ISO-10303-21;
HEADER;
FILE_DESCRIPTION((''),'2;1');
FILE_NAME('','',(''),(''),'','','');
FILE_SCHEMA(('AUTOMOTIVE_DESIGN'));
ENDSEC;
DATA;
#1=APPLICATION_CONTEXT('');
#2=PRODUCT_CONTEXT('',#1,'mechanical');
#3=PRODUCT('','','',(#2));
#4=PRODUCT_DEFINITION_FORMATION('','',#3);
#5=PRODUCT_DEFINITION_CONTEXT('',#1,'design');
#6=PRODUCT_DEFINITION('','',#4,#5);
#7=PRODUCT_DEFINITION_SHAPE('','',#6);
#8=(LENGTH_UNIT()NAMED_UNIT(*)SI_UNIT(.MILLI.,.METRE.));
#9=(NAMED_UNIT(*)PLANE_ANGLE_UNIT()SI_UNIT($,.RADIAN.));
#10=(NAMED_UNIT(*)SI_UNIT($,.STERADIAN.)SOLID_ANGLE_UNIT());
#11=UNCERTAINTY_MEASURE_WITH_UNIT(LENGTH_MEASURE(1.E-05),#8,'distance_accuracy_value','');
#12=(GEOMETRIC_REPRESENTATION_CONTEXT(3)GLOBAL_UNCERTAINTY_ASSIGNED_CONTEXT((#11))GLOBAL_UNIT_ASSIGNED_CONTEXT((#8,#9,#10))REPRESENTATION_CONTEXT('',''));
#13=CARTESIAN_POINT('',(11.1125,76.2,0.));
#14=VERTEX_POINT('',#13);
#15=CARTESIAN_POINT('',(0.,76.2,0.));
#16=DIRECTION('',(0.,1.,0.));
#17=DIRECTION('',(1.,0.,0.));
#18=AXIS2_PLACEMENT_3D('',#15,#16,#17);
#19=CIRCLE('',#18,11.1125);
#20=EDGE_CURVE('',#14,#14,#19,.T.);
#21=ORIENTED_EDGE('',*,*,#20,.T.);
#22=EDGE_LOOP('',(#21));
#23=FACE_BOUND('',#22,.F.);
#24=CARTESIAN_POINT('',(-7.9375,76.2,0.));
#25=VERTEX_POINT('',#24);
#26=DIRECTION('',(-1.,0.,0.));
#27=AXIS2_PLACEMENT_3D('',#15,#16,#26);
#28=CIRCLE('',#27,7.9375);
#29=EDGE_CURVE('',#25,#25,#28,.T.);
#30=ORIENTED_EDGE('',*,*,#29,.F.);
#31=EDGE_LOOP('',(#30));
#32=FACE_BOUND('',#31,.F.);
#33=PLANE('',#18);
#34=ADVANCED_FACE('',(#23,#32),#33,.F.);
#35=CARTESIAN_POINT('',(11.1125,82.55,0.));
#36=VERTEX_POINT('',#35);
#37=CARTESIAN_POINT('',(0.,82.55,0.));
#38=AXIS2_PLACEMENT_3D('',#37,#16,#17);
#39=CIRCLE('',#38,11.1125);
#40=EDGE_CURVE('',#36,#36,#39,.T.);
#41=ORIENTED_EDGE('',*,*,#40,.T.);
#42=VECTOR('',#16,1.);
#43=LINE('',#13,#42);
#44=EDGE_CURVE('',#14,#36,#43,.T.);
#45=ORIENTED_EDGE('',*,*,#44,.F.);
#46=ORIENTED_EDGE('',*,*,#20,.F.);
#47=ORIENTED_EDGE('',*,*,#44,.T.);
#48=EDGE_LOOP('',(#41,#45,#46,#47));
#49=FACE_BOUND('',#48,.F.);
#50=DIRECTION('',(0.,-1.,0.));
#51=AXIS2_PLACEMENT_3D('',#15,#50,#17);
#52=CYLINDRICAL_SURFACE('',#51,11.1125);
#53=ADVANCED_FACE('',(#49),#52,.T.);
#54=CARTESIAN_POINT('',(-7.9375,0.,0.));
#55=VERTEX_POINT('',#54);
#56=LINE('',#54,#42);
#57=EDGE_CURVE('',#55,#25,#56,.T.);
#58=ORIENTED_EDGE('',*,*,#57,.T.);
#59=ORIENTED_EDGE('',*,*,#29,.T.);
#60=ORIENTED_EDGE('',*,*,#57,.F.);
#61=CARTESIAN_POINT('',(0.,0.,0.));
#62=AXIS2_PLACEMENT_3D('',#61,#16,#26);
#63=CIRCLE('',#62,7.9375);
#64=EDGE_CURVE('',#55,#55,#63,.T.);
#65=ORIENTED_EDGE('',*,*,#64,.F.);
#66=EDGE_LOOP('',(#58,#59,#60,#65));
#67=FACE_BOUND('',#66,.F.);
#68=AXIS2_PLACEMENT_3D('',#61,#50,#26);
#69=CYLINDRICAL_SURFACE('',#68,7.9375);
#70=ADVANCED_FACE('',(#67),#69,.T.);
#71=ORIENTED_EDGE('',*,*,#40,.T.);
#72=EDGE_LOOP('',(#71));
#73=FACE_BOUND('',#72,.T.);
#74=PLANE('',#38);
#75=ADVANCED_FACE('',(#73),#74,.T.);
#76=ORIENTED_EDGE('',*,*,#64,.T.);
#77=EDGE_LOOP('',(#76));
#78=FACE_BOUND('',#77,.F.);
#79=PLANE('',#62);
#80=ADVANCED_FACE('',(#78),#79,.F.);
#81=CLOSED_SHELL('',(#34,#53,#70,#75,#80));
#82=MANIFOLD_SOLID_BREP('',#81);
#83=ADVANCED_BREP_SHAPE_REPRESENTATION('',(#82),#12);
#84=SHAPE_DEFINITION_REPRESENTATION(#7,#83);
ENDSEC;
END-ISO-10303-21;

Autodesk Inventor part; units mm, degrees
ref_plane "YZ Plane" through (0, 0, 0) normal (1, 0, 0) x (0, 1, 0)
ref_plane "XZ Plane" through (0, 0, 0) normal (0, 1, 0) x (-1, 0, 0)
ref_plane "XY Plane" through (0, 0, 0) normal (0, 0, 1) x (1, 0, 0)
sketch "Sketch1" plane through (0, 0, 0) normal (0, 1, 0) x (-1, 0, 0)
  circle A0 centre (0, 0) radius 7.9375
  dimension "d0" = 15.875
extrude "Extrusion1" add sketch "Sketch1" along normal blind 76.2
sketch "Sketch2" plane through (0, 76.2, 0) normal (0, 1, 0) x (1, 0, 0)
  circle A0 centre (0, 0) radius 11.1125
  dimension "d3" = 22.225
extrude "Extrusion2" add sketch "Sketch2" along normal blind 6.35
properties part number "5 8ths bolt" material "Iron, Gray"
